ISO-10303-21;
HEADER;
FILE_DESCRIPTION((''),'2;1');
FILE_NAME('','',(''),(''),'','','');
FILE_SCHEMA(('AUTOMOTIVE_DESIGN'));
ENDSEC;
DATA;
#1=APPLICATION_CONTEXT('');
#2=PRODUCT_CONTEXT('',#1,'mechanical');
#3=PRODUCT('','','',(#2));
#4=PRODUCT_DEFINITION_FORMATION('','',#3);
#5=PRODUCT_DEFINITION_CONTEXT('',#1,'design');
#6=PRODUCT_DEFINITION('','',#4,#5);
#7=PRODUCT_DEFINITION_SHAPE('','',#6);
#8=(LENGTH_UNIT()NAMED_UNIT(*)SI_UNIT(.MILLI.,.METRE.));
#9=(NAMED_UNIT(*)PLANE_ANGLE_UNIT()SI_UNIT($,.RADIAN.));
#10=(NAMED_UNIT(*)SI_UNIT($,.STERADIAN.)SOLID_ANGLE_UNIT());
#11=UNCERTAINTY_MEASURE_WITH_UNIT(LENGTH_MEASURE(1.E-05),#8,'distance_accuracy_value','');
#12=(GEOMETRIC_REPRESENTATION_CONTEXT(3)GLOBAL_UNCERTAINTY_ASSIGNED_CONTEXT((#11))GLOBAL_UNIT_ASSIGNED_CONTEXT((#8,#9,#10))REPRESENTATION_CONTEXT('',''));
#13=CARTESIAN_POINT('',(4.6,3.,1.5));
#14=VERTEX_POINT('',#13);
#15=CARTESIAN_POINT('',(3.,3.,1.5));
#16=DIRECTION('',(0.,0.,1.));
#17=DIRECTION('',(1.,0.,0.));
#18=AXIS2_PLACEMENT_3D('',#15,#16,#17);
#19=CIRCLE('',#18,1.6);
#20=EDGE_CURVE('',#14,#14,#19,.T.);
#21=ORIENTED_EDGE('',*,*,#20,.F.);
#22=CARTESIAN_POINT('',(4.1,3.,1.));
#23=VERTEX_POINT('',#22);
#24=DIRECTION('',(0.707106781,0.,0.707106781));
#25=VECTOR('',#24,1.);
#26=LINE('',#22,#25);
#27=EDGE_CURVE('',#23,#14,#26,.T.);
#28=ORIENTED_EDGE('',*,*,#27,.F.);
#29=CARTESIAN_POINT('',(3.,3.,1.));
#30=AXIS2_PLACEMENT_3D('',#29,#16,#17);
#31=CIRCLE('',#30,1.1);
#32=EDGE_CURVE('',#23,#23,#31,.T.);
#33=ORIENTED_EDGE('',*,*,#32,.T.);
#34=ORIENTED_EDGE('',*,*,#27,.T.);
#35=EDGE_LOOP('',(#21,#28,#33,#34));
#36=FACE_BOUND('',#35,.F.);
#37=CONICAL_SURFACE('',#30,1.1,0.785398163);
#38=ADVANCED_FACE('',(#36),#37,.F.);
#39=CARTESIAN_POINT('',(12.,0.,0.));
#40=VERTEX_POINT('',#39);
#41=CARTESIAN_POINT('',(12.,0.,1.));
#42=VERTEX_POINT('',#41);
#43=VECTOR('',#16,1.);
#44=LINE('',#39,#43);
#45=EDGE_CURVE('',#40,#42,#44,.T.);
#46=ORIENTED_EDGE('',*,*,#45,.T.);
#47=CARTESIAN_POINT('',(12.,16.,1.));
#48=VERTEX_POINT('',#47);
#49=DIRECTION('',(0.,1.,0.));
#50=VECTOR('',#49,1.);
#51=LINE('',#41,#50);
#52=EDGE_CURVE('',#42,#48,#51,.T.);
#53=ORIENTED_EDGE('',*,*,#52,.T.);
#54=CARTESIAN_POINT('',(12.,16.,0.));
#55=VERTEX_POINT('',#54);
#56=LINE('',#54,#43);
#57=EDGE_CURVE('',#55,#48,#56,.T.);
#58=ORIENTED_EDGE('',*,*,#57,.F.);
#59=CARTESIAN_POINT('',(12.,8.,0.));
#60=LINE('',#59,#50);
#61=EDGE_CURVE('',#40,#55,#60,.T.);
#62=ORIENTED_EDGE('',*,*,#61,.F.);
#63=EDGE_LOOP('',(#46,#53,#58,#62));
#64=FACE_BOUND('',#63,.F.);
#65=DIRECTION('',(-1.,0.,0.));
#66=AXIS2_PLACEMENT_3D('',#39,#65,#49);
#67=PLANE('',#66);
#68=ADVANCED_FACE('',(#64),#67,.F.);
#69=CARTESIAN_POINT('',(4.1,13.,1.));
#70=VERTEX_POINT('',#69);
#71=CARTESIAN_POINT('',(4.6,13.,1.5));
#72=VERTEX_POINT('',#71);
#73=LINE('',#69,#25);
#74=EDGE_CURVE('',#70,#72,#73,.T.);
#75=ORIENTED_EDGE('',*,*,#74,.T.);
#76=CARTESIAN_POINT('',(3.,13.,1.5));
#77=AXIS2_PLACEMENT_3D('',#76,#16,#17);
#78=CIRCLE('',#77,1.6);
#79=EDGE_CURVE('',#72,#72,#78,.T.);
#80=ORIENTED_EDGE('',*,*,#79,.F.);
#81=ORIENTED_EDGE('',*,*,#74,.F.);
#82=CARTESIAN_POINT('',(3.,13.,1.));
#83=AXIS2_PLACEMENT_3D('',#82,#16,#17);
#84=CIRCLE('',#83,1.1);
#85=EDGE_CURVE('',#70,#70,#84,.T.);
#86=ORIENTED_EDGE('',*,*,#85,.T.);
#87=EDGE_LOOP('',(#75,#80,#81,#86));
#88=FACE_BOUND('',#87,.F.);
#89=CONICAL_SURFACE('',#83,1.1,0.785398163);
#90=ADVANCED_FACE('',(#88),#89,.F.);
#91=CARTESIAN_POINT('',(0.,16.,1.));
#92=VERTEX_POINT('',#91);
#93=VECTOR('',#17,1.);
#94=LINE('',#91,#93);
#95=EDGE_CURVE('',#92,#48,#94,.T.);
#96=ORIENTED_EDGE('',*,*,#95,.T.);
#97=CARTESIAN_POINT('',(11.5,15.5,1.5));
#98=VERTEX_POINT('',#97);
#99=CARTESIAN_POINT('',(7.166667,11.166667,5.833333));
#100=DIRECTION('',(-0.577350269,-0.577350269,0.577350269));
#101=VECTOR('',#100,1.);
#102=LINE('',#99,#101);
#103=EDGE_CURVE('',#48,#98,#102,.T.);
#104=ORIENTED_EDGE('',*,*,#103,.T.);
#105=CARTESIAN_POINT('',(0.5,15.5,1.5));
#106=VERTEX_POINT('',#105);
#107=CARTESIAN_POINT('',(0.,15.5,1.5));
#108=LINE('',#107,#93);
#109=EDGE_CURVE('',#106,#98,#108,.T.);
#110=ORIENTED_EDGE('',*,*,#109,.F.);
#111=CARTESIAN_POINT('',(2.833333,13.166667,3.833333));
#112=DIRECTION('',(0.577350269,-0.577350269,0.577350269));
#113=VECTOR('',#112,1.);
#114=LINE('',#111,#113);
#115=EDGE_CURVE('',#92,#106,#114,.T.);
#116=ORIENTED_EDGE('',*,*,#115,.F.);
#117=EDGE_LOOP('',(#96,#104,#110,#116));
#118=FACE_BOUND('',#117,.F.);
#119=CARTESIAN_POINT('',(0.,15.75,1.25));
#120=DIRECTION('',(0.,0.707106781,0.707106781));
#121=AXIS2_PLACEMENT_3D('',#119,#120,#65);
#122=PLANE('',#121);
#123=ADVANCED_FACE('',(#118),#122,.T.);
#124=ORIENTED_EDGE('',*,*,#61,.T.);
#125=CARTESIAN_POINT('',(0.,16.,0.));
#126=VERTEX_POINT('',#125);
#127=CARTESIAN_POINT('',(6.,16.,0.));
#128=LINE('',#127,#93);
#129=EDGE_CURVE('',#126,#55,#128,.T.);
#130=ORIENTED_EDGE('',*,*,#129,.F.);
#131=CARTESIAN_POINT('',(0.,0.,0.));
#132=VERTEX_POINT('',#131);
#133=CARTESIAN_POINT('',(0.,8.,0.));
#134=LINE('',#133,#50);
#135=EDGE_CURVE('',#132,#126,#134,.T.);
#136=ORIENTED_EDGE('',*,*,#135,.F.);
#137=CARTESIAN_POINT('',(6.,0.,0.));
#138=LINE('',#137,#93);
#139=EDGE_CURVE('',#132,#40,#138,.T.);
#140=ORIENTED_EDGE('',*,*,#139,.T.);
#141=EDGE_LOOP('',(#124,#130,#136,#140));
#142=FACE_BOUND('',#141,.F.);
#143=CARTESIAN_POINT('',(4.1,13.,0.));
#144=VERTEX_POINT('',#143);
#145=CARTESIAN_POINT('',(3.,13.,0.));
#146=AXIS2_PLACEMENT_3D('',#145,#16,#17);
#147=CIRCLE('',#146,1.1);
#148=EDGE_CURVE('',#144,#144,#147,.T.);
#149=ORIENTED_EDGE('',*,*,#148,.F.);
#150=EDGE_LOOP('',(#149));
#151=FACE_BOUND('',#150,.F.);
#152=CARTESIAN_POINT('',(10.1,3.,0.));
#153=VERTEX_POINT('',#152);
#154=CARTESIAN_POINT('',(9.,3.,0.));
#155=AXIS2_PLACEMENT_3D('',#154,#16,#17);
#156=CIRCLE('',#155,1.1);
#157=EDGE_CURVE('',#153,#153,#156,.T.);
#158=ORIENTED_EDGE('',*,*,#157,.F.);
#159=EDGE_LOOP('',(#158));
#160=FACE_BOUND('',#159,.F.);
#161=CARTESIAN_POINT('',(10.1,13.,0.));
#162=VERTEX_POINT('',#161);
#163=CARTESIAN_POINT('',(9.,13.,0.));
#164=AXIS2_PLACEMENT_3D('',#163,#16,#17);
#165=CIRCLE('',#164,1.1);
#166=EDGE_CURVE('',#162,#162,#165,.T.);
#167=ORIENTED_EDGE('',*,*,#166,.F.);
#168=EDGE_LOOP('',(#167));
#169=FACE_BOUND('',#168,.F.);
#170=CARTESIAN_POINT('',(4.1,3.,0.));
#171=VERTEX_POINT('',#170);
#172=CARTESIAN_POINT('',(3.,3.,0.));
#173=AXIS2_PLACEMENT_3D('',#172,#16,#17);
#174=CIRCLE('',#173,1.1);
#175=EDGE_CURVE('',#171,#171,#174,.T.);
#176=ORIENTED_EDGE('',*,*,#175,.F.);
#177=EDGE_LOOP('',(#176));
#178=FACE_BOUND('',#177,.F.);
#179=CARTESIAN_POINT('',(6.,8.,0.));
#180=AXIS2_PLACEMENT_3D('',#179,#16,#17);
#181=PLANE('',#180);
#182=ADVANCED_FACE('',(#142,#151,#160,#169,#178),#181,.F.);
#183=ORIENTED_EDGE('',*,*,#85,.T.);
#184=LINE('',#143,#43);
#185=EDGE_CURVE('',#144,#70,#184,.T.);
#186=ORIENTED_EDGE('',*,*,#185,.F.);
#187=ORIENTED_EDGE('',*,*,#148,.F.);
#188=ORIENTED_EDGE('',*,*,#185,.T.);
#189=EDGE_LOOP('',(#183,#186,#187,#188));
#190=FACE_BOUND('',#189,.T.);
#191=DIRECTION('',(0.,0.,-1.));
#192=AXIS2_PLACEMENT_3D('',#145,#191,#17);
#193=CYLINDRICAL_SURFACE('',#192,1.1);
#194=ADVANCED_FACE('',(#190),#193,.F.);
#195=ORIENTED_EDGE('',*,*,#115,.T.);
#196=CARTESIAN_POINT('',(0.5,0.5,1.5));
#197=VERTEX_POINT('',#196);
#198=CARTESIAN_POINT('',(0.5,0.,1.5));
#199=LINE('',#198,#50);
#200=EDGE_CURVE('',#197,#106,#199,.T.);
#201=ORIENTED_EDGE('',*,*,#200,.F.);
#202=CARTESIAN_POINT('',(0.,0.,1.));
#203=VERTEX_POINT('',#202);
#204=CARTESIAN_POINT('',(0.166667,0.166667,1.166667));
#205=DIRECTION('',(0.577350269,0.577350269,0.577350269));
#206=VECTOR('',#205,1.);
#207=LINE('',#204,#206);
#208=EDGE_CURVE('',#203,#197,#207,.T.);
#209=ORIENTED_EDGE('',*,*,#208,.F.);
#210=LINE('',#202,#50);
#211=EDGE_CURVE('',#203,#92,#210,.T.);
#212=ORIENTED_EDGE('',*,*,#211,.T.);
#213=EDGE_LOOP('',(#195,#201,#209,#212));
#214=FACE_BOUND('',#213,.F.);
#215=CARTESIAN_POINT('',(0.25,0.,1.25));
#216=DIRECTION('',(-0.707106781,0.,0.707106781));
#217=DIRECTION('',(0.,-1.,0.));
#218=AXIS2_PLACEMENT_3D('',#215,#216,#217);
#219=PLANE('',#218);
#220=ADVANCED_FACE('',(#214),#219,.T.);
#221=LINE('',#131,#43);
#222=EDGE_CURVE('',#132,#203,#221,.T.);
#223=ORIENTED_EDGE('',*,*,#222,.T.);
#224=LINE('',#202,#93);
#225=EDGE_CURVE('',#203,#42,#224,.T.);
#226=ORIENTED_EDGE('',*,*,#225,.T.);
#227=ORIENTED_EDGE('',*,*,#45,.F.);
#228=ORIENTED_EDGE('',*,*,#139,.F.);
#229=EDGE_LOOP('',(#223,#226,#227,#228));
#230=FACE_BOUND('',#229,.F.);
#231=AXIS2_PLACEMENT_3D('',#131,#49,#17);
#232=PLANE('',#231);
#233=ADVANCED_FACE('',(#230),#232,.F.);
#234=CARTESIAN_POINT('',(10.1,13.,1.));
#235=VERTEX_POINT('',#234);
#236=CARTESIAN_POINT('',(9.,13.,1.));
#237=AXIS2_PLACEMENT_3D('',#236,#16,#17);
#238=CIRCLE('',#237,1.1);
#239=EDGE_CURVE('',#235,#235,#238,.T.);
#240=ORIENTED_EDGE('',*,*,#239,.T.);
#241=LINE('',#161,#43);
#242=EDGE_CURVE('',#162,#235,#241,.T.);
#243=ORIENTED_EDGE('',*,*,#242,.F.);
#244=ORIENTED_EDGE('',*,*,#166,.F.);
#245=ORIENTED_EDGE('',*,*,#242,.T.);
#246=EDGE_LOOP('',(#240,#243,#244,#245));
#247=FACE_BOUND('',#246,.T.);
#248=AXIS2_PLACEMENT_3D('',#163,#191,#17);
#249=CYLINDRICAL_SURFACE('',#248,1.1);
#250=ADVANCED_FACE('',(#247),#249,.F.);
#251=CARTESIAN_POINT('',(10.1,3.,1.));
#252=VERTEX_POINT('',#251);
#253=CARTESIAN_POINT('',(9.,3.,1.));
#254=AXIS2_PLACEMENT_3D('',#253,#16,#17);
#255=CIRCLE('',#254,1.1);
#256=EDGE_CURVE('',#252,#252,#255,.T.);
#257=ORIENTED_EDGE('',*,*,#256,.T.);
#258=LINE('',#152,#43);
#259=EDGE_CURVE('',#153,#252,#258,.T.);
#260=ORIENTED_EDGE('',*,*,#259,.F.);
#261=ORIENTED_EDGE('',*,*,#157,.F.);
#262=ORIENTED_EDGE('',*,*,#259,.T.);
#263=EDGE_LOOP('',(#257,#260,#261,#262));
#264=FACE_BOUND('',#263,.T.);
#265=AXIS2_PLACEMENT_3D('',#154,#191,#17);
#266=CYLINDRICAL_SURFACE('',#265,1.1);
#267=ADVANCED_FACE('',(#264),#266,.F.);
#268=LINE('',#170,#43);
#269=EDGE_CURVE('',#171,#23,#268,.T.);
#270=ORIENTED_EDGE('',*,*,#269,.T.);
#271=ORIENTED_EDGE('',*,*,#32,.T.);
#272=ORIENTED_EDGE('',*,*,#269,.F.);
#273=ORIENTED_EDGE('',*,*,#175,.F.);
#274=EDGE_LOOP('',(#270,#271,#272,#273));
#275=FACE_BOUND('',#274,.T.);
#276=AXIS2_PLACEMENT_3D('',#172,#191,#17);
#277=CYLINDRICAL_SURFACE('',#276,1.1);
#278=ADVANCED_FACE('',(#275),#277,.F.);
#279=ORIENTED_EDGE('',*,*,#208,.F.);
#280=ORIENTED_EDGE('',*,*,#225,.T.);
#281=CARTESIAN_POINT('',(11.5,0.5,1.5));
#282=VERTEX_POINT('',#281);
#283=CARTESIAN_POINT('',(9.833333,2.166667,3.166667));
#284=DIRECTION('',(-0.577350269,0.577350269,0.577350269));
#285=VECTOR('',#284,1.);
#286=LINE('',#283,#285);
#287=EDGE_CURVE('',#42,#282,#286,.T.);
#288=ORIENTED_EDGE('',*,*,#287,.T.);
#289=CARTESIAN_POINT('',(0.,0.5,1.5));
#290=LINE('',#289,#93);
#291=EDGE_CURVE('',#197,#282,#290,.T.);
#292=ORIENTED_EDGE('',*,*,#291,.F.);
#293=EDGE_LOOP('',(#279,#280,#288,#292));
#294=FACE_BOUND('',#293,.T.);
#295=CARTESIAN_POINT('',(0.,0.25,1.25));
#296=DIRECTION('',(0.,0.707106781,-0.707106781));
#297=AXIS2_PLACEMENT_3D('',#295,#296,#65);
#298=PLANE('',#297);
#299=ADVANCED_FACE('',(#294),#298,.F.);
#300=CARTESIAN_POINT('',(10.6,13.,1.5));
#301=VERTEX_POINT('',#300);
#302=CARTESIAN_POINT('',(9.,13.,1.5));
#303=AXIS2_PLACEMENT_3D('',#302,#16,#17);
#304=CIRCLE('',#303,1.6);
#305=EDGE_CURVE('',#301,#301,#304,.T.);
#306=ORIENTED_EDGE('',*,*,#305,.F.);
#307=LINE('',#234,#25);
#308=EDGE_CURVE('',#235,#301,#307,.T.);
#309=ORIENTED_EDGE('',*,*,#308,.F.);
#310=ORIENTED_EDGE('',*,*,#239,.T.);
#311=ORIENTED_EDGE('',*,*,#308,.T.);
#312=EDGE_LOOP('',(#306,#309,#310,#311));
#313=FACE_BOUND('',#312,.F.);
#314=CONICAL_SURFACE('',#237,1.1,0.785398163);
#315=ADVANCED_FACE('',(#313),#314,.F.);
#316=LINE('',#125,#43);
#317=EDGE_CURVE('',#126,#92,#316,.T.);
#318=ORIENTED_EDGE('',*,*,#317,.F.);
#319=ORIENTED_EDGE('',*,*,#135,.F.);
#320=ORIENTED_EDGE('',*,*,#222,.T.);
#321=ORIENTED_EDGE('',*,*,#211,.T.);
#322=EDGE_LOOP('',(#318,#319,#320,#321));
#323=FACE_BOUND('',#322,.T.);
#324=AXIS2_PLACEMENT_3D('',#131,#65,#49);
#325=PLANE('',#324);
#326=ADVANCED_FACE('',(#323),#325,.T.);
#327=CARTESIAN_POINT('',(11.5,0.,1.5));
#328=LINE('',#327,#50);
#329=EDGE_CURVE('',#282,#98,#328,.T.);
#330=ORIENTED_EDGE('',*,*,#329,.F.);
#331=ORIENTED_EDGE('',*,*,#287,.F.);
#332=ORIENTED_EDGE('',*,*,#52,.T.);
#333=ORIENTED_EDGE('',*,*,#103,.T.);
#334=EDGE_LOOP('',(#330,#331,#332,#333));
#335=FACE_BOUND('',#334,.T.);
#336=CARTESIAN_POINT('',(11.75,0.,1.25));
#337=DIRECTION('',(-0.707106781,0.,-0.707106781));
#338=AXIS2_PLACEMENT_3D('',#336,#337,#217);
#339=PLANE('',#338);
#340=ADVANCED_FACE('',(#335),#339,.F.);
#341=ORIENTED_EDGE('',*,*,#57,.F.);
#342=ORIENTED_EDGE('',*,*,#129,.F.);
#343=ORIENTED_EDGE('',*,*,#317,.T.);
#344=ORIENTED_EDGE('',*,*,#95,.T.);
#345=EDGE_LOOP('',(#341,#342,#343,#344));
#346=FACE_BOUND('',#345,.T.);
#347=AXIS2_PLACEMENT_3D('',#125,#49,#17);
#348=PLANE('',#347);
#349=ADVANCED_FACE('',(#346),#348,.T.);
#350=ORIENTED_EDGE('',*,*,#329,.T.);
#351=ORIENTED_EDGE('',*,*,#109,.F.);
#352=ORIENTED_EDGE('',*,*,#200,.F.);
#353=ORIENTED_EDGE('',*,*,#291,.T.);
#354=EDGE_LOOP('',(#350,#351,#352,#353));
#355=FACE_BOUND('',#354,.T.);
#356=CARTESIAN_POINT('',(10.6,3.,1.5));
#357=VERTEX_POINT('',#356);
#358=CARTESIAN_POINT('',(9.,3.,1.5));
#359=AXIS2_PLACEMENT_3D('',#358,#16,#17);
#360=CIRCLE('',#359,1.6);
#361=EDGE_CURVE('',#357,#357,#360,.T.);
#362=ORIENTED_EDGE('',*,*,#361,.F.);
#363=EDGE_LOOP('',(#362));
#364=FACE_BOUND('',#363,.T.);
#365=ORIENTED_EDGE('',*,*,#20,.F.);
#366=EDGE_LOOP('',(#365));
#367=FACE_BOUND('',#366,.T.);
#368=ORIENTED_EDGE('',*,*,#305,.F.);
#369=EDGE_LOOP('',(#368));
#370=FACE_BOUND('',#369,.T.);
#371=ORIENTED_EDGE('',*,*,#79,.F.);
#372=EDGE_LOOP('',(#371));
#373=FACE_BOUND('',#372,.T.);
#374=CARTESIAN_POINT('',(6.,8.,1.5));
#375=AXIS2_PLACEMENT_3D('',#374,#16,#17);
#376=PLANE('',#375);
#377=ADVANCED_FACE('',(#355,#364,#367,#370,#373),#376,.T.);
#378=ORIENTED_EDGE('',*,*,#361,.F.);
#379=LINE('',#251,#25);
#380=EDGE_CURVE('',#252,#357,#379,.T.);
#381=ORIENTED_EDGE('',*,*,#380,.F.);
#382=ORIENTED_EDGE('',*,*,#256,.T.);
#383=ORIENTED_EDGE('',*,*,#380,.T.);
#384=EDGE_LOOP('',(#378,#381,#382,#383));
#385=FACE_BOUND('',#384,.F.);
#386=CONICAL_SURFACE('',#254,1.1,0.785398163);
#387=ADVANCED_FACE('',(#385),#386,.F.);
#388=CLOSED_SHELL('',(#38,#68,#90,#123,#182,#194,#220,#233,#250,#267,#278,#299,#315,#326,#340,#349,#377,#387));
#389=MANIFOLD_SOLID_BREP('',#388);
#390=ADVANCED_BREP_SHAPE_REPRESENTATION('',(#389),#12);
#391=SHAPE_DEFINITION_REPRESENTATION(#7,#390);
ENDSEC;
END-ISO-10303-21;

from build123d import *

# Parameters (mm, degrees)
F0_W     = 12
F0_H     = 16
F0_R     = 1.1
F1_DEPTH = 1.5
F2_SIZE  = 0.5


with BuildPart() as f1:
    # F0 (on Top) → F1 (new body)
    with BuildSketch(Plane.XY):
        with Locations((6, 8)):
            Rectangle(F0_W, F0_H)
        with Locations((3, 3)):
            Circle(F0_R, mode=Mode.SUBTRACT)
        with Locations((9, 3)):
            Circle(F0_R, mode=Mode.SUBTRACT)
        with Locations((3, 13)):
            Circle(F0_R, mode=Mode.SUBTRACT)
        with Locations((9, 13)):
            Circle(F0_R, mode=Mode.SUBTRACT)
    extrude(amount=F1_DEPTH)

    # F2
    f2_edges = [f1.edges().sort_by_distance(p)[0] for p in [
        (0, 8, 1.5),
        (6, 0, 1.5),
        (12, 8, 1.5),
        (6, 16, 1.5),
        (1.9, 3, 1.5),
        (7.9, 3, 1.5),
        (1.9, 13, 1.5),
        (7.9, 13, 1.5),
    ]]
    chamfer(f2_edges, length=F2_SIZE)


solid = f1.part
